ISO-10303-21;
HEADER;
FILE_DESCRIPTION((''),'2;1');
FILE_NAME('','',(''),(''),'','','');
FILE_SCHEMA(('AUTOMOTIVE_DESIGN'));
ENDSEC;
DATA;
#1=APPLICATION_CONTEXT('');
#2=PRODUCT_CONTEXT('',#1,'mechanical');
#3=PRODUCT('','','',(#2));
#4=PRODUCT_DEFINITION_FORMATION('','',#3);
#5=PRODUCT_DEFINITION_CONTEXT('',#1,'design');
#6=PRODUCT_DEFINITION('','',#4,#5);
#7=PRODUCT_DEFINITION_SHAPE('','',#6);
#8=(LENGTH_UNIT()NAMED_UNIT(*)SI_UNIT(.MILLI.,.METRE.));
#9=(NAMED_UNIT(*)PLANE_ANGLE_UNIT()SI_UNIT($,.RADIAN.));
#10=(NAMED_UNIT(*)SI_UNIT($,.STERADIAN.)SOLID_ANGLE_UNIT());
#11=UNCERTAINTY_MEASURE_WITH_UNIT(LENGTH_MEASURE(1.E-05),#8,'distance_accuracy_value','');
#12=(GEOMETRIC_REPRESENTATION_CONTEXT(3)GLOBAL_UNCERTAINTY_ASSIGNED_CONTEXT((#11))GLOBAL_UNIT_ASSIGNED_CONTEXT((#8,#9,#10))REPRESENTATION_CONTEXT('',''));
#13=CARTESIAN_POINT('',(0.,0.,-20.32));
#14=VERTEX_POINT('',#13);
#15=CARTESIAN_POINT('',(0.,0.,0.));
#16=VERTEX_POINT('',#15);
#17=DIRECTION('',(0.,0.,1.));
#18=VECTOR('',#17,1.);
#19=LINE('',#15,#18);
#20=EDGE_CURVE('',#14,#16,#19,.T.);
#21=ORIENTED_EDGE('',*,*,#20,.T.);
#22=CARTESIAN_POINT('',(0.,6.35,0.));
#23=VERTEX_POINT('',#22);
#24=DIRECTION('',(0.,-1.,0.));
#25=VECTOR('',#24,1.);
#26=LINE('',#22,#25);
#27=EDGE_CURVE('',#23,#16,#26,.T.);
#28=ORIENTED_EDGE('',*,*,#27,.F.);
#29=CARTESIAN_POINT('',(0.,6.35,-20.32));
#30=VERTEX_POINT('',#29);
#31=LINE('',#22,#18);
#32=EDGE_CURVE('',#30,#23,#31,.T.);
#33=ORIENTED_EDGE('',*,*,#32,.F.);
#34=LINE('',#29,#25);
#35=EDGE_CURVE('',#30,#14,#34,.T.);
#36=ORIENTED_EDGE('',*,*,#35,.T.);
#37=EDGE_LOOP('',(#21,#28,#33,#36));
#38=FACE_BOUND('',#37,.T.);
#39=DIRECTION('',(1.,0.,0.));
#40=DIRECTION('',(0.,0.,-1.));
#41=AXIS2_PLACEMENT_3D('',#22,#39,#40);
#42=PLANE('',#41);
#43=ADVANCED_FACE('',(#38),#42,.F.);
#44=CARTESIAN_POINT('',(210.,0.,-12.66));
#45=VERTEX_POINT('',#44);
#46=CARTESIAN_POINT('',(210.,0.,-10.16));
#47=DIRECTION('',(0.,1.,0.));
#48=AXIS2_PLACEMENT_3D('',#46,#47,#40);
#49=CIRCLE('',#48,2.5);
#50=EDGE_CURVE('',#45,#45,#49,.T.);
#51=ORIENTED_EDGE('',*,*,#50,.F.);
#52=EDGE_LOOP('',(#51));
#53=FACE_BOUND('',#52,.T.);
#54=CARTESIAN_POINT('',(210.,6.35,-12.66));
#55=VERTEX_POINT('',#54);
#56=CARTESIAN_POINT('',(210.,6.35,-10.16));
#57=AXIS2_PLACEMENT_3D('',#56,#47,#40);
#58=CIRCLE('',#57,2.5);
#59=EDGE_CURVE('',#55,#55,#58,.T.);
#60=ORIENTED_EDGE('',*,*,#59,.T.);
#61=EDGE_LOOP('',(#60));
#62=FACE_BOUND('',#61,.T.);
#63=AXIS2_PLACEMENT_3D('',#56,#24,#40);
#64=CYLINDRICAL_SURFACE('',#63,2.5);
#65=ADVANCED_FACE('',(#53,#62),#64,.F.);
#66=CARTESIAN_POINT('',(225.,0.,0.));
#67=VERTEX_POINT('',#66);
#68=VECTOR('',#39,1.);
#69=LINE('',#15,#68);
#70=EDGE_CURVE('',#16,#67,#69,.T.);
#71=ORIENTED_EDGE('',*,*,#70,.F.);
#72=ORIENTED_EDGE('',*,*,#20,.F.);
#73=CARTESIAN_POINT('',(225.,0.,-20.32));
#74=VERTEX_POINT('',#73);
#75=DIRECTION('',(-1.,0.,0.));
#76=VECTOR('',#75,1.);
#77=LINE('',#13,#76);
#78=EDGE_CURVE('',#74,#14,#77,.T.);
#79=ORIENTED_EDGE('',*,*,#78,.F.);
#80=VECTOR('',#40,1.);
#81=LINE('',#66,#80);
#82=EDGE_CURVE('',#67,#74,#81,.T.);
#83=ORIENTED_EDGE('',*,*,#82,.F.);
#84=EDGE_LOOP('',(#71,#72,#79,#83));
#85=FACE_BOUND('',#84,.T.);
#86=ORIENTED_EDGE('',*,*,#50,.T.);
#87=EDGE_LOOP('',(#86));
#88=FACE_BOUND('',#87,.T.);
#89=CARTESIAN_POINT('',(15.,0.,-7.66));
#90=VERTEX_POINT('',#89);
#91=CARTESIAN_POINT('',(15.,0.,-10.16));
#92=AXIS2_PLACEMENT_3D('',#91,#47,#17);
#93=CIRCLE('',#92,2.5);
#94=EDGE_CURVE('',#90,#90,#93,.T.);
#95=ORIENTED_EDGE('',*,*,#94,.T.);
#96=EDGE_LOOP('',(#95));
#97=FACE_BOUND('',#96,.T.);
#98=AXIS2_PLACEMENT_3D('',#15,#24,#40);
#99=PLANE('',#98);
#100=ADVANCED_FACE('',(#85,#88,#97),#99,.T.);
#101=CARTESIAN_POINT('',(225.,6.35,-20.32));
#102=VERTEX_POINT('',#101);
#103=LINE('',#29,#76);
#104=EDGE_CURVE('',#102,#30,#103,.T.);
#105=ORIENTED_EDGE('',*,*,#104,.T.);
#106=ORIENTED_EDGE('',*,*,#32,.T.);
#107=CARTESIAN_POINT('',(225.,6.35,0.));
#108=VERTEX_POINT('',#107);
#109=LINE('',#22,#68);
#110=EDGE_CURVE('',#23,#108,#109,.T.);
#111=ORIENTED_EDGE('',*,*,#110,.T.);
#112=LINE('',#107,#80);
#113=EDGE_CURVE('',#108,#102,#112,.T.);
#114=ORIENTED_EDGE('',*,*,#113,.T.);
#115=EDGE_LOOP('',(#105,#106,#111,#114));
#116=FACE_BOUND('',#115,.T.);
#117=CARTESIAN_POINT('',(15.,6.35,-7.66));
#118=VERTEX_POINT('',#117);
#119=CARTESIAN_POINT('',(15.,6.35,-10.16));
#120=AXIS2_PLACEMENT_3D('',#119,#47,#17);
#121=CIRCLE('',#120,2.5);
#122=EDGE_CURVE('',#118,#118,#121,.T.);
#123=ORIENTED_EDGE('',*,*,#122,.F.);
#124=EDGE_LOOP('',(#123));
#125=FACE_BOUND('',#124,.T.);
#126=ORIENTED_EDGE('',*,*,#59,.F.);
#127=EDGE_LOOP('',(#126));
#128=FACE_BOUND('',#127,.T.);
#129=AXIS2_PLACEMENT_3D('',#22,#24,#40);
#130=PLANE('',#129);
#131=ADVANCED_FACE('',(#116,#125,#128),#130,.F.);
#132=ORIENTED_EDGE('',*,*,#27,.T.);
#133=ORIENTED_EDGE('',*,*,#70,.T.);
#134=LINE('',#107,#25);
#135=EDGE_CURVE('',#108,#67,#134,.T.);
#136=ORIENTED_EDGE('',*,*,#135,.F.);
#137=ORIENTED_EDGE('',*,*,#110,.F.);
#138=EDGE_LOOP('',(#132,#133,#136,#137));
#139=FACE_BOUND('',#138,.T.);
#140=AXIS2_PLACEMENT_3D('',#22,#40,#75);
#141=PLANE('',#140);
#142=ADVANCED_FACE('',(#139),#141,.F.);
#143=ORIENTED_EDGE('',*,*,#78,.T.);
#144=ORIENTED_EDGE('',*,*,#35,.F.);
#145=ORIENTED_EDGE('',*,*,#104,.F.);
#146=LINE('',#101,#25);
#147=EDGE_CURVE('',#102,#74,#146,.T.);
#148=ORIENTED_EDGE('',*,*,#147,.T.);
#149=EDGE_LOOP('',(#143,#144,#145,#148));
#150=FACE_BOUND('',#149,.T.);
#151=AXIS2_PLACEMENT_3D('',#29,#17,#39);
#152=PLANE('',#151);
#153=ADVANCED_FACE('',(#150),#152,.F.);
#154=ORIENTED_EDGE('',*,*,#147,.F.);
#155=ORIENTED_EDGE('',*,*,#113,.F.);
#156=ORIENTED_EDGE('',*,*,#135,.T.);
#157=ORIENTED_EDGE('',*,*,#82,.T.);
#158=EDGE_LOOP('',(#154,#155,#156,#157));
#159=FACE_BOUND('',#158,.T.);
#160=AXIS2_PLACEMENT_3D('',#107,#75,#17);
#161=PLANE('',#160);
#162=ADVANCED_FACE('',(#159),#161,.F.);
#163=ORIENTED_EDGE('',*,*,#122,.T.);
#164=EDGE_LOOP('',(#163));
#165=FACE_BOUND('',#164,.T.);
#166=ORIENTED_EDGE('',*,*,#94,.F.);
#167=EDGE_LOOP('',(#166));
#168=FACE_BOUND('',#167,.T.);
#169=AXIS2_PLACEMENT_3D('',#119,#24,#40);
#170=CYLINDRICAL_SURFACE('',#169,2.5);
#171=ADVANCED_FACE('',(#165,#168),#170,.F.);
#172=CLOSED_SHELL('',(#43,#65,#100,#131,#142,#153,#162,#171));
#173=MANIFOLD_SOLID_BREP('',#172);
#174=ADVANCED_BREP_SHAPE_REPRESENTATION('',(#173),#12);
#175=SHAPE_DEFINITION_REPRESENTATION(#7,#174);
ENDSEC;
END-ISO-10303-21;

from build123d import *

# Parameters (mm, degrees)
SKETCH1_W           = 225
SKETCH1_H           = 20.32
SKETCH1_R           = 2.5
BOSS_EXTRUDE1_DEPTH = 6.35


with BuildPart() as part:
    # Sketch1 → Boss-Extrude1 (new body)
    with BuildSketch(Plane(origin=(0, 0, 0), x_dir=(1, 0, 0), z_dir=(0, 1, 0))):
        with Locations((112.5, 10.16)):
            Rectangle(SKETCH1_W, SKETCH1_H)
        with Locations(Location((15, 10.16, 0), (0, 0, 270))):
            Circle(SKETCH1_R, mode=Mode.SUBTRACT)
        with Locations(Location((210, 10.16, 0), (0, 0, 90))):
            Circle(SKETCH1_R, mode=Mode.SUBTRACT)
    extrude(amount=BOSS_EXTRUDE1_DEPTH)


solid = part.part
